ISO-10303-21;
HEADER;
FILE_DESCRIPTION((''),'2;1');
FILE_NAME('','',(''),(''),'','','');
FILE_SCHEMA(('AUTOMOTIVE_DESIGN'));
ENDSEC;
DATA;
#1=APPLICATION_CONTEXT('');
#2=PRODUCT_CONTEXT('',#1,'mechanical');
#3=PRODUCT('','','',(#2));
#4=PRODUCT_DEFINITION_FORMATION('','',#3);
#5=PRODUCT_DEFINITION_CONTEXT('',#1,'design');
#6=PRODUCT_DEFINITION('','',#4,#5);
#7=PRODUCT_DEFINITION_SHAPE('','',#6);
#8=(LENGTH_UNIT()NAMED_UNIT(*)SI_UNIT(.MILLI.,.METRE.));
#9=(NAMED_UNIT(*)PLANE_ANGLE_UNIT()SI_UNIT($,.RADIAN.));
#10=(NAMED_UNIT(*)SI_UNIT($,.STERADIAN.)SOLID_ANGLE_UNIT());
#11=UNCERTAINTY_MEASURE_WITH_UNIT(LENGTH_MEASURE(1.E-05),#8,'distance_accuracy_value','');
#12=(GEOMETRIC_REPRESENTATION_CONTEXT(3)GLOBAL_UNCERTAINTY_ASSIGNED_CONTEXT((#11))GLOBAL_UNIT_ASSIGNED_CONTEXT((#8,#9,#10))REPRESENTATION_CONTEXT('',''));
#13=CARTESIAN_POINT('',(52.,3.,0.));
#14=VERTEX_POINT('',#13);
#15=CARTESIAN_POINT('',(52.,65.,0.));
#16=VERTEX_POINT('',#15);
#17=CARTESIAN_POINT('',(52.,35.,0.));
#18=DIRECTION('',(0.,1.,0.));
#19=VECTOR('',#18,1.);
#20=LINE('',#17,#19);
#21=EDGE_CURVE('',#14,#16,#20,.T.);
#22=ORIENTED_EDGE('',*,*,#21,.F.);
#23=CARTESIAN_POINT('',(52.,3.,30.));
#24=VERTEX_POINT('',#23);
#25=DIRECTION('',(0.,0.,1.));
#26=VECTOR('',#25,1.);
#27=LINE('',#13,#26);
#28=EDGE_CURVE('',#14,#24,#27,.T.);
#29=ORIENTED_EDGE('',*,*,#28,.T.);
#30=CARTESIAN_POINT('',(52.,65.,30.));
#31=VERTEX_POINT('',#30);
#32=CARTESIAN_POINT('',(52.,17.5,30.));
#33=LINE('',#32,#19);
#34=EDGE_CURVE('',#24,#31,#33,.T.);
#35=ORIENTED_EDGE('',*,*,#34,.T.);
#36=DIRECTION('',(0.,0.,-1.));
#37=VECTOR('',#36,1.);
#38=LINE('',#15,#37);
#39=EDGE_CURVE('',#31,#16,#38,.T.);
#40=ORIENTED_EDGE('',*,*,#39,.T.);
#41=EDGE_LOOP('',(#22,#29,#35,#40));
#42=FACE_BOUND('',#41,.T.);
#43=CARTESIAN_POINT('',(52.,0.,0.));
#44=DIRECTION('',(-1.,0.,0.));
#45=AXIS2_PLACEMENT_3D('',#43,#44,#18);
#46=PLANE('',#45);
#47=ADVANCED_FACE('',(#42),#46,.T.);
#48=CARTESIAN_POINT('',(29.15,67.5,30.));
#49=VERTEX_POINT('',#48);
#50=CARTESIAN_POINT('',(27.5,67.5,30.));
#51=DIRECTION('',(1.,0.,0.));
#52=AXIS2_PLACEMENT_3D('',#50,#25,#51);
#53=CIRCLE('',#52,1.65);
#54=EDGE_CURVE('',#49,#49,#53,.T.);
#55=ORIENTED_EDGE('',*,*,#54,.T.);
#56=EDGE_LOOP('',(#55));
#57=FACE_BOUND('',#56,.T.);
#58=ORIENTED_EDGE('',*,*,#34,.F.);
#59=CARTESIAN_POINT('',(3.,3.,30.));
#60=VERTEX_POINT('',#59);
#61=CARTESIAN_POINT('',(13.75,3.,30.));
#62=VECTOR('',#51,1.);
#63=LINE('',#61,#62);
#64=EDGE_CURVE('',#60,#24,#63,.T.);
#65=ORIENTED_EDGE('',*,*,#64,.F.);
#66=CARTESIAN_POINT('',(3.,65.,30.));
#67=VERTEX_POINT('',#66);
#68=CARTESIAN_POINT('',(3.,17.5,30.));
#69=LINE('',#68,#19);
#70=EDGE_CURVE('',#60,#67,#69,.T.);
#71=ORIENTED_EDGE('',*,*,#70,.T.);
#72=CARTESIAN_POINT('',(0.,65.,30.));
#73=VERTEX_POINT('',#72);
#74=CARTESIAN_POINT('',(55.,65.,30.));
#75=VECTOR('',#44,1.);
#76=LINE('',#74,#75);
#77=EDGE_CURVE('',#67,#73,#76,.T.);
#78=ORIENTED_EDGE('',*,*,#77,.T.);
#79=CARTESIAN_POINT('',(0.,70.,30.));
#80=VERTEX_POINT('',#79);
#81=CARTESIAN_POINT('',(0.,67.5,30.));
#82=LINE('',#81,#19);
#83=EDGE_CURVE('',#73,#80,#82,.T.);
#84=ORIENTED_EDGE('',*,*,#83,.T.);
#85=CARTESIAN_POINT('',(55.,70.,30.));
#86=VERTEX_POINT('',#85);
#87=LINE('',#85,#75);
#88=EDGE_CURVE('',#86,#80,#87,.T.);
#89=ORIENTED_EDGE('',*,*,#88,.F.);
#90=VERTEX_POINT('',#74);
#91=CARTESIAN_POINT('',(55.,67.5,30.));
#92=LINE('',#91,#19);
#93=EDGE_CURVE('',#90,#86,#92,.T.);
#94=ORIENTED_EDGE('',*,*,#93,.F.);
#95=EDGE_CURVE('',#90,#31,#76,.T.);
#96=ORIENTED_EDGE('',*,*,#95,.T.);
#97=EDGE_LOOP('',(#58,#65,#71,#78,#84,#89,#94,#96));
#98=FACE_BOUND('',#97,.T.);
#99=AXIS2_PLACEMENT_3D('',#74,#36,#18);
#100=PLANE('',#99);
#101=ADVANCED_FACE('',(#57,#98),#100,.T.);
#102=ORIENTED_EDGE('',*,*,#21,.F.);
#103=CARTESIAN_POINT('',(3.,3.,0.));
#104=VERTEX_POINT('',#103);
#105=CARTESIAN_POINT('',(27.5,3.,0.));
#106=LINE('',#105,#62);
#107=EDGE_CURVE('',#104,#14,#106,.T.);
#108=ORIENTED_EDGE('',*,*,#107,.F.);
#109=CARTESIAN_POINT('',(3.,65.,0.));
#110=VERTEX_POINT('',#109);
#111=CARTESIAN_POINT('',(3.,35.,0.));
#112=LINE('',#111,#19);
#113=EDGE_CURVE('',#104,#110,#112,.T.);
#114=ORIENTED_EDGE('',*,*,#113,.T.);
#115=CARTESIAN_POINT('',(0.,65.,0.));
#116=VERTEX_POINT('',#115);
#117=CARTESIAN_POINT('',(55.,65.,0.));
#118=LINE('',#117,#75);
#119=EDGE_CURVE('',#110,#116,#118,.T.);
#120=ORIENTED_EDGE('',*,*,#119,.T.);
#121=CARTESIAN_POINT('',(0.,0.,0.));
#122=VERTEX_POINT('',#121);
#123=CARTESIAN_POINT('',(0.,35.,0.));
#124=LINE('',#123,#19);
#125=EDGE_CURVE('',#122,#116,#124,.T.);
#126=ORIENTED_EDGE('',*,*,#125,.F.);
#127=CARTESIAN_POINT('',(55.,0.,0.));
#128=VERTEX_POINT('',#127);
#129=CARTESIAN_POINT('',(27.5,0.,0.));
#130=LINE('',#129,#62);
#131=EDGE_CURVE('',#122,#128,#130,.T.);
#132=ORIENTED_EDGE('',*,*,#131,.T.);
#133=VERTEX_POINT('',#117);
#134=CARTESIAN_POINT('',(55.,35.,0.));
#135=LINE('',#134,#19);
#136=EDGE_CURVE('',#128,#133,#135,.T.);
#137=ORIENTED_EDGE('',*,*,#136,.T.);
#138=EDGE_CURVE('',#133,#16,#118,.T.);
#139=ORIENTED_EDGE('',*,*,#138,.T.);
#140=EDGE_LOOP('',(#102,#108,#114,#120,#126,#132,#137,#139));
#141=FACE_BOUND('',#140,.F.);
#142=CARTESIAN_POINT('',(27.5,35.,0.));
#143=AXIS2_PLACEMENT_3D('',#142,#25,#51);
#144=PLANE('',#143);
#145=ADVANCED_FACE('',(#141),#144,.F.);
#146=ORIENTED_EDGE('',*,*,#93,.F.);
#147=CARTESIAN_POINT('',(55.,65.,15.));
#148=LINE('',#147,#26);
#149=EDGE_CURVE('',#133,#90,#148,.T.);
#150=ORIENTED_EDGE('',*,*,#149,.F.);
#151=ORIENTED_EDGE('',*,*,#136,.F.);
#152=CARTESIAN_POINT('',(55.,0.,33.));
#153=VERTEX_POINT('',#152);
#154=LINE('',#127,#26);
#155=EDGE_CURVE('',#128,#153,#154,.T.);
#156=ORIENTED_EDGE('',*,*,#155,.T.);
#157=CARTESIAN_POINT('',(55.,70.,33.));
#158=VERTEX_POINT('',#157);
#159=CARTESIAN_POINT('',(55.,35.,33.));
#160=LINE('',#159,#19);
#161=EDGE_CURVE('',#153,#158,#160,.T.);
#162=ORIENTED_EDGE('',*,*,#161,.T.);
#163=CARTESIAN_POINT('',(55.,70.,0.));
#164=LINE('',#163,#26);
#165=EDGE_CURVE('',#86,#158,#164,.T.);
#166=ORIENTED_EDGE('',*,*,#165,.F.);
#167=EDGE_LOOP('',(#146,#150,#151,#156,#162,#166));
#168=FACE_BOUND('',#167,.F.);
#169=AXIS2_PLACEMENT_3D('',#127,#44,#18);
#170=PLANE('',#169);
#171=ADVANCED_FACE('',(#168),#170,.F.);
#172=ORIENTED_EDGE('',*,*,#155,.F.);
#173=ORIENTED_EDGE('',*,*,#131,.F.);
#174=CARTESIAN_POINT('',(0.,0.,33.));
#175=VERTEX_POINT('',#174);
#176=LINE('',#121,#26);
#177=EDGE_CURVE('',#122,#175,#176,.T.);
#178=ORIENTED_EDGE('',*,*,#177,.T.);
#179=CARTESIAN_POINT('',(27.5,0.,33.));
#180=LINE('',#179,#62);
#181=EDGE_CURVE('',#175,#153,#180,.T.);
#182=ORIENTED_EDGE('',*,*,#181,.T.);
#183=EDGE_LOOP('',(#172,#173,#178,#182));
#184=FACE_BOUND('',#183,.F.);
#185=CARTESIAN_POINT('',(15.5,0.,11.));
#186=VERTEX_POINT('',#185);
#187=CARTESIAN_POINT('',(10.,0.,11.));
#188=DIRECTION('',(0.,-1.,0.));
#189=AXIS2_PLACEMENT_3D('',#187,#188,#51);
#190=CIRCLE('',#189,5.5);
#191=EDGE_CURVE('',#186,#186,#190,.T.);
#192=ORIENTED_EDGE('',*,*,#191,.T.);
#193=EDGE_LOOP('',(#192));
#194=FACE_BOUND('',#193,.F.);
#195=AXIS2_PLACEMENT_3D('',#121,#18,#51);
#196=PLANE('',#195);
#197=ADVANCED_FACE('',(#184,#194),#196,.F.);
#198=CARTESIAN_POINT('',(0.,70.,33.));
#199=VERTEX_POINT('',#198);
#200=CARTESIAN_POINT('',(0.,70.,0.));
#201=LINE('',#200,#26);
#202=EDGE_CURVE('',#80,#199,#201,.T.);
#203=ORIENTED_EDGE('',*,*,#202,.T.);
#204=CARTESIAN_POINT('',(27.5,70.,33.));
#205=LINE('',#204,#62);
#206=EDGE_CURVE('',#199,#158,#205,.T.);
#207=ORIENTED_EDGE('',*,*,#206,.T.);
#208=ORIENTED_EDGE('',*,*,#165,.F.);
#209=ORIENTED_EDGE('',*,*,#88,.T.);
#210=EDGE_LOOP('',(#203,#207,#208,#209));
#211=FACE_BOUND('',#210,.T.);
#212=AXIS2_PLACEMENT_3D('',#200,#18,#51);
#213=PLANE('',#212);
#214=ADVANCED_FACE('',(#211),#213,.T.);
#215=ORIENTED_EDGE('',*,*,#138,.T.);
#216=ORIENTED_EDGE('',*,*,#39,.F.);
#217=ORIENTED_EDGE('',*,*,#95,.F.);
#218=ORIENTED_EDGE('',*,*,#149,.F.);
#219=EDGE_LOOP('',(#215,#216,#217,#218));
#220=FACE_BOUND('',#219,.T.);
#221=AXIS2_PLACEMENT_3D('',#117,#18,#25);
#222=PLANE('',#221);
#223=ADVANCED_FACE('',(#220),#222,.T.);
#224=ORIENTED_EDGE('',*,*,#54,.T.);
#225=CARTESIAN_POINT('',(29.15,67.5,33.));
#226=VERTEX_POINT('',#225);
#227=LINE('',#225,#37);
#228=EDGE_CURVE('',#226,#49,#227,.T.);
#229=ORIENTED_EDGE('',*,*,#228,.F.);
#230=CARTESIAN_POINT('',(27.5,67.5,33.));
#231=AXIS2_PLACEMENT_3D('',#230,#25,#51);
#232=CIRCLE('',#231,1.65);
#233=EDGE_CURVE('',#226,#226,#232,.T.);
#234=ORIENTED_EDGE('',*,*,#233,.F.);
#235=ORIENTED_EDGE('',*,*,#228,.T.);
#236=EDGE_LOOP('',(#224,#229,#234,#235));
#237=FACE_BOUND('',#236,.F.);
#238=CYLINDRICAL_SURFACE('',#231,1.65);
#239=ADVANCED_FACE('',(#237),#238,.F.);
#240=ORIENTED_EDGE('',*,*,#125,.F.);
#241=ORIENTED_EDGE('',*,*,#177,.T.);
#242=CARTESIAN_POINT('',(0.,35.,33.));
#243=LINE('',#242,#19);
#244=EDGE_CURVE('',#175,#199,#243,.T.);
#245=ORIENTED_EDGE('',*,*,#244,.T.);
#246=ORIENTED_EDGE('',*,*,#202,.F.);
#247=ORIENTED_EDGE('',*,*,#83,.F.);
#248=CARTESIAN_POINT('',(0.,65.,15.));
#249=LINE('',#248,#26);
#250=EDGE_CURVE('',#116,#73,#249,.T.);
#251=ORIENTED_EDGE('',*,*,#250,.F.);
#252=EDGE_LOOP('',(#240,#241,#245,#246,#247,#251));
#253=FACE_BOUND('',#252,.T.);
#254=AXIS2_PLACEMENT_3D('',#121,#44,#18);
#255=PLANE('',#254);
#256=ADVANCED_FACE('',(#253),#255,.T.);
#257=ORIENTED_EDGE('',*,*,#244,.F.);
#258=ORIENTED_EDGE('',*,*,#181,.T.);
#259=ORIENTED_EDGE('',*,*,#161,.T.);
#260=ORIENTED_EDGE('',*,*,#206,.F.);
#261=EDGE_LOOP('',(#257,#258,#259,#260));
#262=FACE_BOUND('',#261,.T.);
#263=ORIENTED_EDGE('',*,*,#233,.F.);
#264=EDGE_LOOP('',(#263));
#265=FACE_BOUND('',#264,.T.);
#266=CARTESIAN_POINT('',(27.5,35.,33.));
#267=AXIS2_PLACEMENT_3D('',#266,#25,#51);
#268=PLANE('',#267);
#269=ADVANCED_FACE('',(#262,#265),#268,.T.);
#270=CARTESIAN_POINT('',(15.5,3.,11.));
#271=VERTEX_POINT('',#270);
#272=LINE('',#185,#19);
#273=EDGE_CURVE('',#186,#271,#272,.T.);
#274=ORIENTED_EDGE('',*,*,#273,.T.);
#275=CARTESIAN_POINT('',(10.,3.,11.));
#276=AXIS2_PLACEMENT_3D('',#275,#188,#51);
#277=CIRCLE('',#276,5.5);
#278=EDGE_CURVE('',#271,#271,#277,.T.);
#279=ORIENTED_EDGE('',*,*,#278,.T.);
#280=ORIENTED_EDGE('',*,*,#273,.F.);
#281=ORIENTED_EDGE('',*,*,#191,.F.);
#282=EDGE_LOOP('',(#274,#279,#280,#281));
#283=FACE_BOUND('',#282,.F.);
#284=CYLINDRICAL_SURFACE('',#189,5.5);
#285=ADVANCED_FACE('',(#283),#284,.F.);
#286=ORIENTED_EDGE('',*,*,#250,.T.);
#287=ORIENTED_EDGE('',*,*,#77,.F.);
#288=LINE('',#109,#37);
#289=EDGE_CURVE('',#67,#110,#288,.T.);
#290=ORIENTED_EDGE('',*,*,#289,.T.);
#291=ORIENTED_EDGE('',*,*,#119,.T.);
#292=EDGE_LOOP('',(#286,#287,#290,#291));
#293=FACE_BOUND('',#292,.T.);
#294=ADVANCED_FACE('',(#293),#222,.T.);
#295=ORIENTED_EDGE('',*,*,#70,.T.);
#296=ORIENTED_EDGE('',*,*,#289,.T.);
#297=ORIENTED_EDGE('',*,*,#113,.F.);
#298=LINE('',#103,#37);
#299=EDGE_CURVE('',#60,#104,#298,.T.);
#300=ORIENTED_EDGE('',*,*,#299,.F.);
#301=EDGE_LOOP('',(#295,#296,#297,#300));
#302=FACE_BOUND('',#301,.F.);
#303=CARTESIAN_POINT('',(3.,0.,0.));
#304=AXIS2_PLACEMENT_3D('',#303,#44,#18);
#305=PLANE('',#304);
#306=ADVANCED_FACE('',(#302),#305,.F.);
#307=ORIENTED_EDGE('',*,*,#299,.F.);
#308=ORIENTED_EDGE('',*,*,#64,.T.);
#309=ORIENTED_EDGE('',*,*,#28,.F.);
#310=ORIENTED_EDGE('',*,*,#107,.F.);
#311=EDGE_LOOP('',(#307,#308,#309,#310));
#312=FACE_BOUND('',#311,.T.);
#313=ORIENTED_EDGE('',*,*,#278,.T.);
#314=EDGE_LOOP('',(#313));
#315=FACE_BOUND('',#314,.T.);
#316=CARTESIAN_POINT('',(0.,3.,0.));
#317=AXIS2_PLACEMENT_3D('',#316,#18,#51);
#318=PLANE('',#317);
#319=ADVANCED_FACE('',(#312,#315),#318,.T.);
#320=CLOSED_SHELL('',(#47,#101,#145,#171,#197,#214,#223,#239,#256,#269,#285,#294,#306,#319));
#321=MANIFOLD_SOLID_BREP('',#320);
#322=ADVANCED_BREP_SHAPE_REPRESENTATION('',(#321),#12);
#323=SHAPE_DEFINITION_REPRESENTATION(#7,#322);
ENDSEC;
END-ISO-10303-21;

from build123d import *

# Parameters (mm, degrees)
F0_W     = 55
F0_H     = 70
F1_DEPTH = 33
F2_T     = -3
F3_W     = 5
F3_H     = 30
F4_DEPTH = 55
F5_R     = 5.5
F6_DEPTH = 3
F7_R     = 1.65
F8_DEPTH = 3


with BuildPart() as f1:
    # F0 (on Top) → F1 (new body)
    with BuildSketch(Plane.XY):
        with Locations((27.5, 35)):
            Rectangle(F0_W, F0_H)
    extrude(amount=F1_DEPTH)

    # F2
    f2_openings = [f1.faces().sort_by_distance(p)[0] for p in [
        (27.5, 35, 0),
    ]]
    offset(amount=F2_T, openings=f2_openings)

    # F3 (on face) → F4 (cut, through all)
    with BuildSketch(Plane.YZ.offset(55)):
        with Locations((67.5, 15)):
            Rectangle(F3_W, F3_H)
    extrude(amount=-F4_DEPTH, mode=Mode.SUBTRACT)

    # F5 (on face) → F6 (cut, through all)
    with BuildSketch(Plane.XZ):
        with Locations((10, 11)):
            Circle(F5_R)
    extrude(amount=-F6_DEPTH, mode=Mode.SUBTRACT)

    # F7 (on face) → F8 (cut, through all)
    with BuildSketch(Plane.XY.offset(33)):
        with Locations((27.5, 67.5)):
            Circle(F7_R)
    extrude(amount=-F8_DEPTH, mode=Mode.SUBTRACT)


solid = f1.part
